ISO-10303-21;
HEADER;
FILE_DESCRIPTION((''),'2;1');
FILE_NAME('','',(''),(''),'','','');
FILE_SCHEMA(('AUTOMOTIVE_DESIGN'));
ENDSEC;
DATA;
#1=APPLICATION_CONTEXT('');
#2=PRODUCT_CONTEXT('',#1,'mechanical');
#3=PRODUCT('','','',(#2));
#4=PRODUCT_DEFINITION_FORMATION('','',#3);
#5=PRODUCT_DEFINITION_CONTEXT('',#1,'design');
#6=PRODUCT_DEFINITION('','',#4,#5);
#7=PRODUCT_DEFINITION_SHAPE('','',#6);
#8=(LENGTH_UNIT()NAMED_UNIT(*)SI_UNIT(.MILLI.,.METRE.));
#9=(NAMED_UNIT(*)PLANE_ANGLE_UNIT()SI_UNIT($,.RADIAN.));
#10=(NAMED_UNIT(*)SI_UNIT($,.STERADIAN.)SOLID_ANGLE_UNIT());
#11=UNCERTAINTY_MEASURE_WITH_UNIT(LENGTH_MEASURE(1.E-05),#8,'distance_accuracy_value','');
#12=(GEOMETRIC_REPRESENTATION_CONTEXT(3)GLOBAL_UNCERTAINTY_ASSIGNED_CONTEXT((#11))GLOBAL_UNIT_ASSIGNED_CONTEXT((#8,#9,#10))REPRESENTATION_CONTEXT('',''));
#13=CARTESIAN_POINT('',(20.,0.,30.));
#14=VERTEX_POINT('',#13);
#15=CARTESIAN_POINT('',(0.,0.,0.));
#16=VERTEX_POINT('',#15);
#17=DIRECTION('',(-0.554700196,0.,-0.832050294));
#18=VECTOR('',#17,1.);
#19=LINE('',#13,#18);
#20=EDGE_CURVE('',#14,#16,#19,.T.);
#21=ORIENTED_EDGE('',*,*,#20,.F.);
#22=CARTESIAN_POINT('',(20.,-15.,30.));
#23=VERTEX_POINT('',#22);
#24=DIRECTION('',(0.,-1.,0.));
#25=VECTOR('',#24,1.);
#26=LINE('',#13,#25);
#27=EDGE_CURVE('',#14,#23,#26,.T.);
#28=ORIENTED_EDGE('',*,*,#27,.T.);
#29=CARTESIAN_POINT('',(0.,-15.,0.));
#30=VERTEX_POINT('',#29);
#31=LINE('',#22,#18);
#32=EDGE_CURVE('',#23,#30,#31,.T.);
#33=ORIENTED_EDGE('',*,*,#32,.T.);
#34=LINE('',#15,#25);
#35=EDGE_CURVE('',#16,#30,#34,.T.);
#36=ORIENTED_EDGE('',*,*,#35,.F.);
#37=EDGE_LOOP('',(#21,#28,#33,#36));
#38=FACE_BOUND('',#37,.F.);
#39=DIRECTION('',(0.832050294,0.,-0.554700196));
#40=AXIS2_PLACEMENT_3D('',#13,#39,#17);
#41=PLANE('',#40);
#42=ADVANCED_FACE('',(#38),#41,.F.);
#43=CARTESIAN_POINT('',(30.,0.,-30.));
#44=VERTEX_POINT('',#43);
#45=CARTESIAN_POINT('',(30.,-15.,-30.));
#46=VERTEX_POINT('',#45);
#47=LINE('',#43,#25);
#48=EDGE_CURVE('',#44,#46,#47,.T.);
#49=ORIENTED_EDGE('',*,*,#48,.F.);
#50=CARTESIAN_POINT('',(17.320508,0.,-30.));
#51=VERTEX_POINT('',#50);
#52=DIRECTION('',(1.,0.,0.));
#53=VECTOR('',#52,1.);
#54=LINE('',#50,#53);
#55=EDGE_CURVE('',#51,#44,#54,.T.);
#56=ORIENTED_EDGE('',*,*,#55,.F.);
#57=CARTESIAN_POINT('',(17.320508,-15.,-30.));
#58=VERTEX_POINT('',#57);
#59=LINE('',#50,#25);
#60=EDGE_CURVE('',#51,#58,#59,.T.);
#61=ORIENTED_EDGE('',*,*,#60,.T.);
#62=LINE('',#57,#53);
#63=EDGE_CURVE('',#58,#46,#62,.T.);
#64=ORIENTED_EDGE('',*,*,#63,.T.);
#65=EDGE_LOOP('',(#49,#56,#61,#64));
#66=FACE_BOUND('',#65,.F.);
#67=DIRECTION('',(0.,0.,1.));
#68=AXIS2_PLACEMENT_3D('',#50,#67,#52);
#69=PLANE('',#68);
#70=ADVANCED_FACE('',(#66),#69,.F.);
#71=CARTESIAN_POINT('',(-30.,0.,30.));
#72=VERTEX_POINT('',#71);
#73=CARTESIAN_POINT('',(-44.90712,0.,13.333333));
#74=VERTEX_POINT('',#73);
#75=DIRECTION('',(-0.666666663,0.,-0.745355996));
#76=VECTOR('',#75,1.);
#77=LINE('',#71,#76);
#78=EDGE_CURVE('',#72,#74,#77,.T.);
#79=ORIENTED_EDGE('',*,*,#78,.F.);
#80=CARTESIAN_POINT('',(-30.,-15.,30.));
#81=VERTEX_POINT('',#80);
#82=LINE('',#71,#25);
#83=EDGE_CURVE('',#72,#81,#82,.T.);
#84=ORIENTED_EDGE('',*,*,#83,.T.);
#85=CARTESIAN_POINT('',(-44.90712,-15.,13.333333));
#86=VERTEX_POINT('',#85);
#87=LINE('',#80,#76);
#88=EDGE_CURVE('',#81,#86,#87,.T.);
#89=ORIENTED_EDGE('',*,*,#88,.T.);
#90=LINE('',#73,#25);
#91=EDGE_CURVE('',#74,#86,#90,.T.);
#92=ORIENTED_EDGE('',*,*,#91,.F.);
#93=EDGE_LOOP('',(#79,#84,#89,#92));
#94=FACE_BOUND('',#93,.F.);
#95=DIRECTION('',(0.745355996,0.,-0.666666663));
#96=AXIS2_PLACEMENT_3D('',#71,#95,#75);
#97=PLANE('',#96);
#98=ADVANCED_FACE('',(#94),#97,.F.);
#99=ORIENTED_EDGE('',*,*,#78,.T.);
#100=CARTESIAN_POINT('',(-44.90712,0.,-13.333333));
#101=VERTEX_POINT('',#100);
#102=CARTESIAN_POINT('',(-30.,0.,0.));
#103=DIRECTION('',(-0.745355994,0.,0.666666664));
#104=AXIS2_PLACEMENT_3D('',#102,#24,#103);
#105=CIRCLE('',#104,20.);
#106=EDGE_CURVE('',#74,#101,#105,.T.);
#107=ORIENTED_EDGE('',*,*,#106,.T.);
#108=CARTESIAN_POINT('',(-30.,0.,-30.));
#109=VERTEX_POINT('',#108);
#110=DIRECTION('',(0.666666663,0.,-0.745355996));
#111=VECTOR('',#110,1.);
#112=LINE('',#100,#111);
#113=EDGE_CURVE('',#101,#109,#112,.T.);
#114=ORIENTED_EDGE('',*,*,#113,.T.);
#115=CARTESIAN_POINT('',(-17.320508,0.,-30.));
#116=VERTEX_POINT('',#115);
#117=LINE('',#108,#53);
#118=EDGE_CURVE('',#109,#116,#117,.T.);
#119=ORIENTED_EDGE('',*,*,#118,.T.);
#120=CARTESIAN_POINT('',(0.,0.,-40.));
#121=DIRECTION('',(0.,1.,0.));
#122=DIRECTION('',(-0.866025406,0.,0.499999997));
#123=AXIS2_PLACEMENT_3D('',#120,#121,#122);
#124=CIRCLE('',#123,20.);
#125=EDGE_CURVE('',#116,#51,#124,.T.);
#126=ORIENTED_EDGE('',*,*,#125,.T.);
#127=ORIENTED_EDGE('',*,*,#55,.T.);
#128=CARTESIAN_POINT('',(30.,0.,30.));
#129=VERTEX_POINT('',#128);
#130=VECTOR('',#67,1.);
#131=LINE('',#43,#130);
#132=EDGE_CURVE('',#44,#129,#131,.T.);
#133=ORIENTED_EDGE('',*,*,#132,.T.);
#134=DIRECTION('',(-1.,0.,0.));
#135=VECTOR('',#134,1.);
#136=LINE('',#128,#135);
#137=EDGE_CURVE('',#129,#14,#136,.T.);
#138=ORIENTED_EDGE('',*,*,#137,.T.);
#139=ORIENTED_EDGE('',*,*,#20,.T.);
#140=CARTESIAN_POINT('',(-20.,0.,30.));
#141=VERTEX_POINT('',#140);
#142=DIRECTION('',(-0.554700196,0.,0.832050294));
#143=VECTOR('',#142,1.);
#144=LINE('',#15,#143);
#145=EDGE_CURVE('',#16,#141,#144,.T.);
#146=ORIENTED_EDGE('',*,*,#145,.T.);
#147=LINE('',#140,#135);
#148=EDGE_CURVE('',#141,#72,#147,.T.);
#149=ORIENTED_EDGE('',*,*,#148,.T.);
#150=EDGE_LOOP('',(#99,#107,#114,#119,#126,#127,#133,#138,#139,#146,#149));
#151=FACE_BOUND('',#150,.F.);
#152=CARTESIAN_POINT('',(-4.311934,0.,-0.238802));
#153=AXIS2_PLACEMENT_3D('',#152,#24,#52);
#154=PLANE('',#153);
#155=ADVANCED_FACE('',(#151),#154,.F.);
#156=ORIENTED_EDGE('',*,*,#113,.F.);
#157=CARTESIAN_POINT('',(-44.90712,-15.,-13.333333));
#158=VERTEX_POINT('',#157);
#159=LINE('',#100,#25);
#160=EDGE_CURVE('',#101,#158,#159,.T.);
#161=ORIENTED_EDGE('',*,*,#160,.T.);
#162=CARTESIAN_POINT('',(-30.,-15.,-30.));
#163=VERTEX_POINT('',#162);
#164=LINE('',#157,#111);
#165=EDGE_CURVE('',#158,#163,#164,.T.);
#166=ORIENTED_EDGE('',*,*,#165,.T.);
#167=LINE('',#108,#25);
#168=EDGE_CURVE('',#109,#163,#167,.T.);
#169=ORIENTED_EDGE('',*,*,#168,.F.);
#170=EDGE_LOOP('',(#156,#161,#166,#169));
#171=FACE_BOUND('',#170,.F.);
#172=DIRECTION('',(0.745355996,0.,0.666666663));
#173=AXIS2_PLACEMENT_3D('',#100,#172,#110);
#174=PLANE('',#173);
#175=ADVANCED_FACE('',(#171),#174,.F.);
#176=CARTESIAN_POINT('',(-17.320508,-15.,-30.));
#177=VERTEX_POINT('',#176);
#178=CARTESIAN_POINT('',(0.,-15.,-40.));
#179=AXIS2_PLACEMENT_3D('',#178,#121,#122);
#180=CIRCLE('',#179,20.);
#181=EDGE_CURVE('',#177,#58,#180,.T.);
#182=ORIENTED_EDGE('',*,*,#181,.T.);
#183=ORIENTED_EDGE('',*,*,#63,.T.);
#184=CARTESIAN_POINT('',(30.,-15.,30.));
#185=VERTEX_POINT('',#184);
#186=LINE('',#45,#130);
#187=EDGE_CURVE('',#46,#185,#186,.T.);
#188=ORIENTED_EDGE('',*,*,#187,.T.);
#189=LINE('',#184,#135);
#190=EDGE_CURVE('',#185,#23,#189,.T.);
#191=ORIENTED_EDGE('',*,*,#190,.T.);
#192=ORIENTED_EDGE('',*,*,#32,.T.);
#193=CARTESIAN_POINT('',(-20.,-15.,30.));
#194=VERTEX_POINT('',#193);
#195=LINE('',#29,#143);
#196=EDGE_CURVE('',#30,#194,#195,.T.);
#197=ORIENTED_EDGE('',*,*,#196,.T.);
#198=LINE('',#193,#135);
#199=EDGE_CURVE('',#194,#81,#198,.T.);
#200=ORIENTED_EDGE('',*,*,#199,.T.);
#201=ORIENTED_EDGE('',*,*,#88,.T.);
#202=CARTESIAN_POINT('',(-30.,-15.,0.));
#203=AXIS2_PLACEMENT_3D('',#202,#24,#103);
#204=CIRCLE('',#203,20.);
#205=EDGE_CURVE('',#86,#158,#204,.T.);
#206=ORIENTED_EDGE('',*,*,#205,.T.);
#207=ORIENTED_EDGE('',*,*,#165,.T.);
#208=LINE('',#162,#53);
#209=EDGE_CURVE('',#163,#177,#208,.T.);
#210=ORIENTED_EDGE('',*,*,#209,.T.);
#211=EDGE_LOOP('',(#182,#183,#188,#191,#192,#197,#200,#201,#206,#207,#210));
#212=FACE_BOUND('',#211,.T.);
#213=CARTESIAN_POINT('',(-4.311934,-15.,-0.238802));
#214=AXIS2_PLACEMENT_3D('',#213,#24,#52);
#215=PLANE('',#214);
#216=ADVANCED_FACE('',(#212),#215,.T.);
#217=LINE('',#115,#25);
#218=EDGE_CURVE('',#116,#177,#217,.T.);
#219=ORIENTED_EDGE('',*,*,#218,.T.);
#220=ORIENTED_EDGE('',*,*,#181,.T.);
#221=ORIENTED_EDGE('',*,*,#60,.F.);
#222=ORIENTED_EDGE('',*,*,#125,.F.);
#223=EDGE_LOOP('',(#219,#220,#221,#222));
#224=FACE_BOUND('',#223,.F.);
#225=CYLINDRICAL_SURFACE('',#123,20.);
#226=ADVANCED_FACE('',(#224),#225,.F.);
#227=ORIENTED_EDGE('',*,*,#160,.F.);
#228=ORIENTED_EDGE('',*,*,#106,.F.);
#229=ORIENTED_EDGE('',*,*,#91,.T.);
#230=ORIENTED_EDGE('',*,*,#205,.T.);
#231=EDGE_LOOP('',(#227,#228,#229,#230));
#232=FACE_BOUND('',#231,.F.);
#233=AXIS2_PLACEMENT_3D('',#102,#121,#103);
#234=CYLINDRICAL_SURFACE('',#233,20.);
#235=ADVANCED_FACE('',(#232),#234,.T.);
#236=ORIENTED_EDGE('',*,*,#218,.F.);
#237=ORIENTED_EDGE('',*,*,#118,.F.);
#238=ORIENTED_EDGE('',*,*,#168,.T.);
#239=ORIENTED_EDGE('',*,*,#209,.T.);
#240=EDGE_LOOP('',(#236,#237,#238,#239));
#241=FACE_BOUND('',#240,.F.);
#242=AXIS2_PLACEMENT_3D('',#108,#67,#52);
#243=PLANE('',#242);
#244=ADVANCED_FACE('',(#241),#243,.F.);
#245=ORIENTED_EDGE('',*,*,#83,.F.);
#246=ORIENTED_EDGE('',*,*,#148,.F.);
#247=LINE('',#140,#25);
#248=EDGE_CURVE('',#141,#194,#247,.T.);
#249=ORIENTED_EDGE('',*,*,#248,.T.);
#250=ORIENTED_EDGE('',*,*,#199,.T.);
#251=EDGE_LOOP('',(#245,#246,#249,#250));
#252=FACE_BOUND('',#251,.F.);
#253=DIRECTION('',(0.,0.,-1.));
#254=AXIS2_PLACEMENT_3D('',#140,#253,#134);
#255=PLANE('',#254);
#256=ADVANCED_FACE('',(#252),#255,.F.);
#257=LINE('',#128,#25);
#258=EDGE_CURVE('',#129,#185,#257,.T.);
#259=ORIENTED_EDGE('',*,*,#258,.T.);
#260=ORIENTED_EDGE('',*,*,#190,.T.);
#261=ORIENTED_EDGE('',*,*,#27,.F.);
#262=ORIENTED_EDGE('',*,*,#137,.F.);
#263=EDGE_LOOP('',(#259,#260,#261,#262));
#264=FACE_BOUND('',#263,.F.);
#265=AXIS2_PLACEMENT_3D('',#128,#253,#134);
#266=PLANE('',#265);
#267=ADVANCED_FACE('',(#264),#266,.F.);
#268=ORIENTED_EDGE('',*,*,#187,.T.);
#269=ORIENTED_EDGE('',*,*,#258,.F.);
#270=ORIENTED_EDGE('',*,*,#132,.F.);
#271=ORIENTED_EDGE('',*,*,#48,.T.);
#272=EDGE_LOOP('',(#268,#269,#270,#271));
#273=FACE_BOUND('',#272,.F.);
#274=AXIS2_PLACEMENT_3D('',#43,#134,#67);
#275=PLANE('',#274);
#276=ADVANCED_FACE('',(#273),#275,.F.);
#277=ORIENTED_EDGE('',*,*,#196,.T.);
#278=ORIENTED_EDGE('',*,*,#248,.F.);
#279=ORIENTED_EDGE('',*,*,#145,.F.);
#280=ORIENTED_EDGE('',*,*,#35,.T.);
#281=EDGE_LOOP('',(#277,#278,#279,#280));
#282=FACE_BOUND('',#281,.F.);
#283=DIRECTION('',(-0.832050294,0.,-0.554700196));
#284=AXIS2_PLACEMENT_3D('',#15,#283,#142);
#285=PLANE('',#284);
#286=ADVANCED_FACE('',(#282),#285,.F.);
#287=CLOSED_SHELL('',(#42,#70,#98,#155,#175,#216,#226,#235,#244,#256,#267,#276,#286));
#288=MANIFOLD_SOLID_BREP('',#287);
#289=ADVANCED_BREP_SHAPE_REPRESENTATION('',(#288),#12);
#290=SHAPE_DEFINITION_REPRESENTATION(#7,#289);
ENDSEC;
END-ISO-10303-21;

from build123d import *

# Parameters (mm, degrees)
F1_DEPTH = 15


with BuildPart() as f1:
    # F0 (on Front) → F1 (new body)
    with BuildSketch(Plane.XZ):
        with BuildLine():
            Line((-20, 30), (-30, 30))
            Line((-30, 30), (-44.90712, 13.333333))
            ThreePointArc((-44.90712, 13.333333), (-50, 0), (-44.90712, -13.333333))
            Line((-44.90712, -13.333333), (-30, -30))
            Line((-30, -30), (-17.320508, -30))
            ThreePointArc((-17.320508, -30), (0, -20), (17.320508, -30))
            Line((17.320508, -30), (30, -30))
            Line((30, -30), (30, 30))
            Line((30, 30), (20, 30))
            Line((20, 30), (0, 0))
            Line((0, 0), (-20, 30))
        make_face()
    extrude(amount=F1_DEPTH)


solid = f1.part
